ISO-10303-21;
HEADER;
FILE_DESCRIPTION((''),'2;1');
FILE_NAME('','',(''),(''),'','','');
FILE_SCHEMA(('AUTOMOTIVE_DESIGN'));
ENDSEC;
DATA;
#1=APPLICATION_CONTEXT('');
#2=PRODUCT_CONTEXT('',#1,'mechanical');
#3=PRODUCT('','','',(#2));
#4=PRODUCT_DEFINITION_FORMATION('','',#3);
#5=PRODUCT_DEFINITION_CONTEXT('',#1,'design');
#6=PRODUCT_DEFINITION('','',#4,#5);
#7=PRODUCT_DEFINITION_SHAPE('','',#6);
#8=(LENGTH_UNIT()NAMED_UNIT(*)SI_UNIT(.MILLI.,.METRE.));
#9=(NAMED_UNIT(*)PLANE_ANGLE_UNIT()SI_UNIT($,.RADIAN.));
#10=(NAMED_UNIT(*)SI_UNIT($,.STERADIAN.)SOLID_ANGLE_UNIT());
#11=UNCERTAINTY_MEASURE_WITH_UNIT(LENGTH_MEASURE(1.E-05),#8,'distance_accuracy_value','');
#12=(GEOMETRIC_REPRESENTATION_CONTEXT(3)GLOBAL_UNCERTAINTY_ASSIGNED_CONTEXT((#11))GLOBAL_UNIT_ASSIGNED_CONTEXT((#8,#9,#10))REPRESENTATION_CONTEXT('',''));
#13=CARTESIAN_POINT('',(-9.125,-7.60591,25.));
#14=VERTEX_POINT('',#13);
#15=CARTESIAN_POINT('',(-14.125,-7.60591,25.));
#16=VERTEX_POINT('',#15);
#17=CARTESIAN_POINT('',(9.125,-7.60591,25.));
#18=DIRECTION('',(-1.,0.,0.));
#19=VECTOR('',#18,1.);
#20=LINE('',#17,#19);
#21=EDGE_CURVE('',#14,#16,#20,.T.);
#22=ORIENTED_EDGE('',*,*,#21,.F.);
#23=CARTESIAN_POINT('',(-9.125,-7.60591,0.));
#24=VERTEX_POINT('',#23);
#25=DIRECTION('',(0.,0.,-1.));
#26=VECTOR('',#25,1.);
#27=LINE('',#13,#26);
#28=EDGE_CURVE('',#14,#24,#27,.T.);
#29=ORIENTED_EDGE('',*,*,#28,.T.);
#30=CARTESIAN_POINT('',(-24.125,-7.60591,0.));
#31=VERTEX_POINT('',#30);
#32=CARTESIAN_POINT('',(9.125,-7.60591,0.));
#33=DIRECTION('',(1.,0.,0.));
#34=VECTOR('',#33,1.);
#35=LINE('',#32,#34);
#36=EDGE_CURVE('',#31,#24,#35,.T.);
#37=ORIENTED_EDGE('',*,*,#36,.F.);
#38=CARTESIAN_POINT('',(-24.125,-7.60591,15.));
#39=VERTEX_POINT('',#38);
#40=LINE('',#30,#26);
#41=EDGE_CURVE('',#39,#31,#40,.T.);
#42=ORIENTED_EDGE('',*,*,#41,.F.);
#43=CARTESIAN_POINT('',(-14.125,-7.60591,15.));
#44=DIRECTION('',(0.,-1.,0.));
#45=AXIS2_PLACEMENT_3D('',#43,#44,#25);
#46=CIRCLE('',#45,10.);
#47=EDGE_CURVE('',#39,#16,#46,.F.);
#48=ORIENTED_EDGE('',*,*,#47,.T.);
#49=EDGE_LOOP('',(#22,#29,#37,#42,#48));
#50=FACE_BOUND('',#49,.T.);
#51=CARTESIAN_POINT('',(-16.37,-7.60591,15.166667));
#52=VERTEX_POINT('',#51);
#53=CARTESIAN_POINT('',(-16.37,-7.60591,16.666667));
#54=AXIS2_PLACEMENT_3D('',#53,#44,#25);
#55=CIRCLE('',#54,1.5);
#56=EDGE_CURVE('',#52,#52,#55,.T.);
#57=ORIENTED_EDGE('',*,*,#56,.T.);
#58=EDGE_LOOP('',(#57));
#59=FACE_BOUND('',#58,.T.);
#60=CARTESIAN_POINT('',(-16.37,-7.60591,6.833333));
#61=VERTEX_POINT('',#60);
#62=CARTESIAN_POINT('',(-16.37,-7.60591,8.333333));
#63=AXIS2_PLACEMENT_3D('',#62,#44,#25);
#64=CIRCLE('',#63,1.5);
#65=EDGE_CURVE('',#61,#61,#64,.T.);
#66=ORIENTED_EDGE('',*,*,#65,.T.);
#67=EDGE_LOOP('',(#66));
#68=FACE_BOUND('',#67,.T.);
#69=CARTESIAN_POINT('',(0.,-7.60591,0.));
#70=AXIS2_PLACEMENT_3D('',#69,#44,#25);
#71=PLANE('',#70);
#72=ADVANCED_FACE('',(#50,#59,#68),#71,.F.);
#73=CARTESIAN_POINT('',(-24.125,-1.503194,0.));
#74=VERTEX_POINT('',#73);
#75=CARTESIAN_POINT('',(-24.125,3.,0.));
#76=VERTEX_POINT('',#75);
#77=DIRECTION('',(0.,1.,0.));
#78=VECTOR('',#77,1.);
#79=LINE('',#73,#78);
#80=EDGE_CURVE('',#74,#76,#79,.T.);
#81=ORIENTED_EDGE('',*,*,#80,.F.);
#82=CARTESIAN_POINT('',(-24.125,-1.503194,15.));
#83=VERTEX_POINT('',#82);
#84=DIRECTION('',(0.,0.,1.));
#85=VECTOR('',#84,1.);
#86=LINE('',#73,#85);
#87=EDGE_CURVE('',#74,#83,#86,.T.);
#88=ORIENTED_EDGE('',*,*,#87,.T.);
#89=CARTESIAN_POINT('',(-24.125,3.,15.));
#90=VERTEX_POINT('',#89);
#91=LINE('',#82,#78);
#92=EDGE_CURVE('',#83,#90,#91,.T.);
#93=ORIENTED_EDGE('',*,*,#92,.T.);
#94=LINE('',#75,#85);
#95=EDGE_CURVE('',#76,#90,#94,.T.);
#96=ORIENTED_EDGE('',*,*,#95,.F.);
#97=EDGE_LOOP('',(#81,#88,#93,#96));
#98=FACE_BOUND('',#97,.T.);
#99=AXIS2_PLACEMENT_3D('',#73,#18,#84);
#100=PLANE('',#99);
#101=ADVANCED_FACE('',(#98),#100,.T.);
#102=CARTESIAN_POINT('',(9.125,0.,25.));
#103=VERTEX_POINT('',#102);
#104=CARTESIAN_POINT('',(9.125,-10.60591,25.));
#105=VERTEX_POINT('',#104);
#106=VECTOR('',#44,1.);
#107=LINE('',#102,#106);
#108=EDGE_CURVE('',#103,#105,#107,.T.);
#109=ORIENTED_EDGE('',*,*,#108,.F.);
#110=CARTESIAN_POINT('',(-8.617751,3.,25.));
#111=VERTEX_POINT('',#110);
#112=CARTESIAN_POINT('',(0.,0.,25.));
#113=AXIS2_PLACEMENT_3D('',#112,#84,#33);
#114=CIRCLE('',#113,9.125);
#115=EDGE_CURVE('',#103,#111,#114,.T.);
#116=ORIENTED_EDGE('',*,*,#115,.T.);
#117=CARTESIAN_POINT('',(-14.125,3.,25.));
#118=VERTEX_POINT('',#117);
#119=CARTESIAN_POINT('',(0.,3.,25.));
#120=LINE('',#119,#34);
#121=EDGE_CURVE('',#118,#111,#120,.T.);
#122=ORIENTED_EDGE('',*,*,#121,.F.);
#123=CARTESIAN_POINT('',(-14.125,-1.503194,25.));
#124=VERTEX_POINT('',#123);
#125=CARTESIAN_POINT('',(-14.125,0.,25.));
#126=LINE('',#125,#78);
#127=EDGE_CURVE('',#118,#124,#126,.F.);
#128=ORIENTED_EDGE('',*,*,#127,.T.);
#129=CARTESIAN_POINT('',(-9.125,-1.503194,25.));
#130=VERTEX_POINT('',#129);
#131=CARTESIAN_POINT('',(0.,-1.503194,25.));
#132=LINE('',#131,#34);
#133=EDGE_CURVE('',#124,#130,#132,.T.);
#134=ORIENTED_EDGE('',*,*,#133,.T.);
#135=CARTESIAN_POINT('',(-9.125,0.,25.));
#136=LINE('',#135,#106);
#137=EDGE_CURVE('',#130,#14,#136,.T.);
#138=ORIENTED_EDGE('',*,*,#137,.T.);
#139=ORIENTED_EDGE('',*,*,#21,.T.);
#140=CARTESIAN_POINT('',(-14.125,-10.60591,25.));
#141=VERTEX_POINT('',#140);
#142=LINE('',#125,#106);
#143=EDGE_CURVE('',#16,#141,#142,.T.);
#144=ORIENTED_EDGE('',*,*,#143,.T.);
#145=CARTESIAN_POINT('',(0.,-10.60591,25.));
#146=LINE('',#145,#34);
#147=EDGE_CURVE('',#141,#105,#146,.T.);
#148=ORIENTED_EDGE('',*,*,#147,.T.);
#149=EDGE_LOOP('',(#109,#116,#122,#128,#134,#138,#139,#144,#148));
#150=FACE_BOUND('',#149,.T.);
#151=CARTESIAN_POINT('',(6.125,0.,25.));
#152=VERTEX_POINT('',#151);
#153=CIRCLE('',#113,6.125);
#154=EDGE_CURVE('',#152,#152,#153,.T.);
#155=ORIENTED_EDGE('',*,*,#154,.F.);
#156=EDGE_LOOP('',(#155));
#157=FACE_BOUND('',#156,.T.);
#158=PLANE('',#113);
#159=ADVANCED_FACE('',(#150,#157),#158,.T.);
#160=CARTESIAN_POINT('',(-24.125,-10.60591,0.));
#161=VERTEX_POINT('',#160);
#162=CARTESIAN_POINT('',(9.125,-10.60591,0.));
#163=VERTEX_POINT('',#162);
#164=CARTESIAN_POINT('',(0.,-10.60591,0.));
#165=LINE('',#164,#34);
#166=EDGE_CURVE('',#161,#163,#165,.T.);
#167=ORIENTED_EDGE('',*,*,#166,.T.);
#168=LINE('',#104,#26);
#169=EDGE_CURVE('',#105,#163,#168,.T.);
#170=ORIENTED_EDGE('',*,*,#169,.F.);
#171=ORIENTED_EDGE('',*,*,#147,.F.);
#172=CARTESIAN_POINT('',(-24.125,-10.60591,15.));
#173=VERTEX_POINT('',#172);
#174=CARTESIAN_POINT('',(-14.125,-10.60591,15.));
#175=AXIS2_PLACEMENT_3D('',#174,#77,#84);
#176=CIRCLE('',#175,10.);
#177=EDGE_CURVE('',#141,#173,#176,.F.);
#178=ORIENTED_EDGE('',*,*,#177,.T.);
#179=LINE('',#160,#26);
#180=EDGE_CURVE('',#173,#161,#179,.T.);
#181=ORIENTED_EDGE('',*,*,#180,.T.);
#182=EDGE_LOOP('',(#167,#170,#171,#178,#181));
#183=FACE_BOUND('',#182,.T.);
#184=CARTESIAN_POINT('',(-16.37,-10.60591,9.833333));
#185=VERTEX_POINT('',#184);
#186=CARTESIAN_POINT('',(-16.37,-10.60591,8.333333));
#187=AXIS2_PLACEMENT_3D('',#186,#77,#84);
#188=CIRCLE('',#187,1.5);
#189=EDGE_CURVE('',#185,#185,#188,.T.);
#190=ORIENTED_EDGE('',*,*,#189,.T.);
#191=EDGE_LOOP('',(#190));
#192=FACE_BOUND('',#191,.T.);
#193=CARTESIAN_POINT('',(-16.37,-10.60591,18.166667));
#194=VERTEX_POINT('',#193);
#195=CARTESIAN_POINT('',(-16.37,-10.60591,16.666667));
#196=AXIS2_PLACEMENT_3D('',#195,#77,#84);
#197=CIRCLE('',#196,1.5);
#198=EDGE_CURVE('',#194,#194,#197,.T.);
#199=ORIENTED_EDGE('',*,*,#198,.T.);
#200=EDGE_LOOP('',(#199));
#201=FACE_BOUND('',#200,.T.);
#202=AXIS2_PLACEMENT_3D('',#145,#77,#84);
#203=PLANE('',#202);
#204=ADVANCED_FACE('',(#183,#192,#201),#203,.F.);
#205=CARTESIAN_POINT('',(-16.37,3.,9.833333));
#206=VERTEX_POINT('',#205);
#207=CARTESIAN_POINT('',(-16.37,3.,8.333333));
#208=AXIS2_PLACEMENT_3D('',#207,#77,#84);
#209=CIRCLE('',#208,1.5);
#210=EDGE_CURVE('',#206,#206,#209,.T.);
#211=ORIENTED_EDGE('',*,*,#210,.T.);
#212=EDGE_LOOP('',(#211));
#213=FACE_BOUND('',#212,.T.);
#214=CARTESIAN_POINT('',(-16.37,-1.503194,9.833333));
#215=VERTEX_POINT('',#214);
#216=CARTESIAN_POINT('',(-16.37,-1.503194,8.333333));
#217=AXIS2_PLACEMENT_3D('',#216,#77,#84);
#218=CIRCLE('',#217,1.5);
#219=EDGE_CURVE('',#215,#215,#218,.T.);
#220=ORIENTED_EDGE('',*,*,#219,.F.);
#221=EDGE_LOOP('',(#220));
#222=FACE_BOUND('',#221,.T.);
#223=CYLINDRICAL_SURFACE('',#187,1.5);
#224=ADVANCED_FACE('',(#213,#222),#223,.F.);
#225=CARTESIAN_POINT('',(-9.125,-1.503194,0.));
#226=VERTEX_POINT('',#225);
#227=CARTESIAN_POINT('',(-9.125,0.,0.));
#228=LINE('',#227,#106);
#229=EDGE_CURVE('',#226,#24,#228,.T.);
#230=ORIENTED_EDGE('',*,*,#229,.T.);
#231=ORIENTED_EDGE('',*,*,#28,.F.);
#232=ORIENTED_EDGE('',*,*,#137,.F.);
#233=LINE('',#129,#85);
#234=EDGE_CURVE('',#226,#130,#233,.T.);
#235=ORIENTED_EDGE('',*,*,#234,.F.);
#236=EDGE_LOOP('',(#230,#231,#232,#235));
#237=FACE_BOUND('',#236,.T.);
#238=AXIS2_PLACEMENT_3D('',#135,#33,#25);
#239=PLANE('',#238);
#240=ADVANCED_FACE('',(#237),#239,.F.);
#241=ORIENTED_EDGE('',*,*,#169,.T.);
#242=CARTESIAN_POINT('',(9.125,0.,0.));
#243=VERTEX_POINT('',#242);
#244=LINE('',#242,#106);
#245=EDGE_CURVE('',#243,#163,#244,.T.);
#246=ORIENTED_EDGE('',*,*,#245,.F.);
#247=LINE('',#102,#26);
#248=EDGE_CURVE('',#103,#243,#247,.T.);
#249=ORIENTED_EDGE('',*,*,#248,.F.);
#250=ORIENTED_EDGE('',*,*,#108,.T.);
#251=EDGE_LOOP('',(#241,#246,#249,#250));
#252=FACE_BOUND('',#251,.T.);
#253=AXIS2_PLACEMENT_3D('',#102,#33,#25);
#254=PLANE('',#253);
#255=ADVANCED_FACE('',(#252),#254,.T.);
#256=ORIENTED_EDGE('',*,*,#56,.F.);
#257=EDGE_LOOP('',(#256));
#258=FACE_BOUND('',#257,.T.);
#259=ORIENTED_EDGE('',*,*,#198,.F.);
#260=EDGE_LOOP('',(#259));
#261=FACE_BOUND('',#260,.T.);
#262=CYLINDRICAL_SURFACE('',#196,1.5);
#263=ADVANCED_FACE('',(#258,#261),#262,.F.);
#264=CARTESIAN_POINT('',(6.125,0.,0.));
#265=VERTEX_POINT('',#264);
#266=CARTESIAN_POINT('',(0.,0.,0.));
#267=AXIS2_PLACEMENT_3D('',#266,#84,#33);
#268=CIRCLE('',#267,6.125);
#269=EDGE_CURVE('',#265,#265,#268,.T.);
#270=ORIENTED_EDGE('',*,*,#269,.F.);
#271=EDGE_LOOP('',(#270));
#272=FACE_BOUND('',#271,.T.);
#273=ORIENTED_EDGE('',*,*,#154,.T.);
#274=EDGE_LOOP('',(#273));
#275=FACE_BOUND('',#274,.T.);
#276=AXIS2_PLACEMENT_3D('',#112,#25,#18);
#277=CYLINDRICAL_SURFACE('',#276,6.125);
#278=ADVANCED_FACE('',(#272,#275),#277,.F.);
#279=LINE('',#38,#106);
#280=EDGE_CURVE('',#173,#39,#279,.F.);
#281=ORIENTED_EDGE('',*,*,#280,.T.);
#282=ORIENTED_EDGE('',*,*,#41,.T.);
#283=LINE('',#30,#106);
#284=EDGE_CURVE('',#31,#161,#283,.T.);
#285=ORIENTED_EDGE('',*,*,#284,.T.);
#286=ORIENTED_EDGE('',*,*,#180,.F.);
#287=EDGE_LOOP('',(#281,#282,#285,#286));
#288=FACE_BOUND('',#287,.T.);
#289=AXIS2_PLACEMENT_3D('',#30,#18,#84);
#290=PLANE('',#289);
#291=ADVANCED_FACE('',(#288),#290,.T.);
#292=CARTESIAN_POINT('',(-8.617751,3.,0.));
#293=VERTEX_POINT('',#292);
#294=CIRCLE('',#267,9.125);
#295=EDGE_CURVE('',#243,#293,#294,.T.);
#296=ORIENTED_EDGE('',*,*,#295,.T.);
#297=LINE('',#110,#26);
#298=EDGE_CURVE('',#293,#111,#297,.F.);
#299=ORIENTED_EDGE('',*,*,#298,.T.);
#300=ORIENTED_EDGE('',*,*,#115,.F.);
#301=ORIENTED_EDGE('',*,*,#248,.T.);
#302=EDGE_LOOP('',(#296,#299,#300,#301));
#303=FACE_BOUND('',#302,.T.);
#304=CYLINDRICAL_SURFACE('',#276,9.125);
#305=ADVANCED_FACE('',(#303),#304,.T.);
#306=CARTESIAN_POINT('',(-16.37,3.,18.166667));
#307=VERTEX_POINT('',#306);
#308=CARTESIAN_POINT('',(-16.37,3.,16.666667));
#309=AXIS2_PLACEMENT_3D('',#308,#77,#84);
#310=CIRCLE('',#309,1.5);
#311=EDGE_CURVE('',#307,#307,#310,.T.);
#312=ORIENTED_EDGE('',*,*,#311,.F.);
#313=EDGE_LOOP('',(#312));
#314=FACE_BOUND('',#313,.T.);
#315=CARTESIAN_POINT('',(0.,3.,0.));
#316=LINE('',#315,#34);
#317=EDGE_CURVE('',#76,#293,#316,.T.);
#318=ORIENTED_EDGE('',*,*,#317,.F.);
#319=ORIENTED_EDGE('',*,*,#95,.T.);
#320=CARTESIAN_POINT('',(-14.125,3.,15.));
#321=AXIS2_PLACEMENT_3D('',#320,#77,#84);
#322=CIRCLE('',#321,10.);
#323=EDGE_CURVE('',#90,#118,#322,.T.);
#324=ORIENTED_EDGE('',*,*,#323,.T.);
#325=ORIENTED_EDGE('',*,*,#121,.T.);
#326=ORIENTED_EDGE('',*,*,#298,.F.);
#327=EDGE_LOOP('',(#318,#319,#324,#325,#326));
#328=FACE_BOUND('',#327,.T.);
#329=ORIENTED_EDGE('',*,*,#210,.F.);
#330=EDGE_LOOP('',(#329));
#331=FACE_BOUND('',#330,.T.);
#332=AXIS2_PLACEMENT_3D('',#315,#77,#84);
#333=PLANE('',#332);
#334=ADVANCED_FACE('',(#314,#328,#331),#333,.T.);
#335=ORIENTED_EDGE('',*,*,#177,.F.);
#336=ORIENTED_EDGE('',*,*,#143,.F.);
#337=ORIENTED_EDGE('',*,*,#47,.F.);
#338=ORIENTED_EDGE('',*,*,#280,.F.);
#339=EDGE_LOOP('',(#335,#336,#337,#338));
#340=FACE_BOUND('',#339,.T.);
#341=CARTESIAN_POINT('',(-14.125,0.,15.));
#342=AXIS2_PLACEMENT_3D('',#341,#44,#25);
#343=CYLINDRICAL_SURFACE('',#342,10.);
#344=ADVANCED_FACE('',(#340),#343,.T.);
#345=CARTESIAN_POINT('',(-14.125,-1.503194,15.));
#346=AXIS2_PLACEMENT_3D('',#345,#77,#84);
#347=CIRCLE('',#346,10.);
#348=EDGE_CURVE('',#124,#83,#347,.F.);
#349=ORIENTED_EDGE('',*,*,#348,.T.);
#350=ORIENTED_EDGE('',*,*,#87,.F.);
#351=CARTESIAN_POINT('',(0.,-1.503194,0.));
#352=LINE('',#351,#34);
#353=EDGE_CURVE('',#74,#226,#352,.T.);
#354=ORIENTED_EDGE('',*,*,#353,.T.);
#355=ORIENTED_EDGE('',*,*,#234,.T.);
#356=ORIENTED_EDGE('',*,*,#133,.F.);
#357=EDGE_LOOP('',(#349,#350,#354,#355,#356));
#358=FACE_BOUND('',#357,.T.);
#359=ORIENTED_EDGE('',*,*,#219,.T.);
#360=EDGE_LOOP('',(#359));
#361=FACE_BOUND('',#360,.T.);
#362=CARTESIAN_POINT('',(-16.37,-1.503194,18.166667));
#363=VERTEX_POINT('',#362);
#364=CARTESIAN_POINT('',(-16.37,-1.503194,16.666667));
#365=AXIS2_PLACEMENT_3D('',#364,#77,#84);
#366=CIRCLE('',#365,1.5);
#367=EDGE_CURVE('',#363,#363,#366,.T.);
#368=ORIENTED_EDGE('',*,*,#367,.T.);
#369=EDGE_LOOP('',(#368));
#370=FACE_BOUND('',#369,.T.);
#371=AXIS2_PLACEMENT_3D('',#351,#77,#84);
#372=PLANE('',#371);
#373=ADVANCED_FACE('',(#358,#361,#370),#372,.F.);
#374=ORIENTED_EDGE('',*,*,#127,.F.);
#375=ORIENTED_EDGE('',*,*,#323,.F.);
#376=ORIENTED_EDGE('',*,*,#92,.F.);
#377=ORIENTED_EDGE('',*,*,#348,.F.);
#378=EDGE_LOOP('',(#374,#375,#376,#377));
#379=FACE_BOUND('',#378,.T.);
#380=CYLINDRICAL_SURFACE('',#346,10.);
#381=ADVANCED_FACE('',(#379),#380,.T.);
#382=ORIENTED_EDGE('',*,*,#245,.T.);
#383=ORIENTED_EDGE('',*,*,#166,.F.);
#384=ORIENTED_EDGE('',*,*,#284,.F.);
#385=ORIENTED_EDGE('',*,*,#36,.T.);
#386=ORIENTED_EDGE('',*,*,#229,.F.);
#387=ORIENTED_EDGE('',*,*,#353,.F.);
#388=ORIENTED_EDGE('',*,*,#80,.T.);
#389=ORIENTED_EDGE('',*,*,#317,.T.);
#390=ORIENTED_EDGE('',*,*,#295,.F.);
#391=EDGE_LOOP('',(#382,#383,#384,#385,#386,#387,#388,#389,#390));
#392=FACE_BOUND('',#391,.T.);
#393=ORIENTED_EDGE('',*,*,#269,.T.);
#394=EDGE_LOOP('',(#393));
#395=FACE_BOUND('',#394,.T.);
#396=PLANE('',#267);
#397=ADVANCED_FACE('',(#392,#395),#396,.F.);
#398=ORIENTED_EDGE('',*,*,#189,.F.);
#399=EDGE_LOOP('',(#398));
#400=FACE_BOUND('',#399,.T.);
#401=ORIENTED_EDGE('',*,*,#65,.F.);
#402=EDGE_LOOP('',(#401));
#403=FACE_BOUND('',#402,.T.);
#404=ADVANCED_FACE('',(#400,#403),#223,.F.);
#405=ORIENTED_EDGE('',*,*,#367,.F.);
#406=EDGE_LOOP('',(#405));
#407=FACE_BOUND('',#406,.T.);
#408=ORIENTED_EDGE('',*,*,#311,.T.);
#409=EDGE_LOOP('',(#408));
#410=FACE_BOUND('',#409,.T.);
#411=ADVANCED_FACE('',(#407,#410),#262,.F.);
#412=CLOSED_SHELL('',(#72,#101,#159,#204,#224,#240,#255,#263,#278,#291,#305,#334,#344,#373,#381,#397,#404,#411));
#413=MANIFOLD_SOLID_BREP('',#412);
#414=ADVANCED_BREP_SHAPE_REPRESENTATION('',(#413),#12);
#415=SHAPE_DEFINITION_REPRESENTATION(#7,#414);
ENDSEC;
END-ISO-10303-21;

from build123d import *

# Parameters (mm, degrees)
ESQUISSE1_R                  = 9.125
ESQUISSE1_R_2                = 6.125
BOSS_EXTRU_1_DEPTH           = 25
ESQUISSE13_W                 = 33.25
ESQUISSE13_H                 = 25
BOSS_EXTRU_10_DEPTH          = 3
BOSS_EXTRU_11_DEPTH          = 3
BOSS_EXTRU_11_DEPTH_BACK     = 1.503194454
ESQUISSE14_W                 = 16.5
ESQUISSE14_H                 = 25
ENL_V_MAT_EXTRU_1_DEPTH      = 38.311344137
ENL_V_MAT_EXTRU_1_DEPTH_BACK = 38.311344137
ESQUISSE15_R                 = 1.5
CONG_1_R                     = 10


with BuildPart() as part:
    # Esquisse1 → Boss.-Extru.1 (new body)
    # profile 1 of 2: a face of its own
    with BuildSketch(Plane.XY):
        Circle(ESQUISSE1_R)
        Circle(ESQUISSE1_R_2, mode=Mode.SUBTRACT)
    # profile 2 of 2: a face of its own
    with BuildSketch(Plane.XY):
        with BuildLine():
            ThreePointArc((9.125, 0), (0, -9.125), (-9.125, 0))
            Line((-9.125, 0), (-9.125, -10.60590961))
            Line((-9.125, -10.60590961), (9.125, -10.60590961))
            Line((9.125, -10.60590961), (9.125, 0))
        make_face()
    extrude(amount=BOSS_EXTRU_1_DEPTH)

    # Esquisse13 → Boss.-Extru.10 (add)
    with BuildSketch(Plane.XZ.offset(10.60590961)):
        with Locations((-7.5, 12.5)):
            Rectangle(ESQUISSE13_W, ESQUISSE13_H)
    extrude(amount=-BOSS_EXTRU_10_DEPTH)

    # Esquisse14 → Boss.-Extru.11 (add, two sides: drawn at the far end of the back side and taken through both)
    with BuildSketch(Plane(origin=(0, 0, 0), x_dir=(1, 0, 0), z_dir=(0, 1, 0)).offset(-BOSS_EXTRU_11_DEPTH_BACK)):
        with Locations((-15.875, -12.5)):
            Rectangle(ESQUISSE14_W, ESQUISSE14_H)
    extrude(amount=BOSS_EXTRU_11_DEPTH + BOSS_EXTRU_11_DEPTH_BACK)

    # Esquisse15 → Enlèv. mat.-Extru.1 (cut, two sides: drawn at the far end of the back side and taken through both)
    with BuildSketch(Plane(origin=(0, 3, 0), x_dir=(1, 0, 0), z_dir=(0, 1, 0)).offset(-ENL_V_MAT_EXTRU_1_DEPTH_BACK)):
        with Locations(Location((-16.37, -8.333333333, 0), (0, 0, 270))):
            Circle(ESQUISSE15_R)
        with Locations(Location((-16.37, -16.666666667, 0), (0, 0, 270))):
            Circle(ESQUISSE15_R)
    extrude(amount=ENL_V_MAT_EXTRU_1_DEPTH + ENL_V_MAT_EXTRU_1_DEPTH_BACK, mode=Mode.SUBTRACT)

    # Congé1
    cong_1_edges = [part.edges().sort_by_distance(p)[0] for p in [
        (-24.125, -9.10590961, 25),
        (-24.125, 0.748402773, 25),
    ]]
    fillet(cong_1_edges, radius=CONG_1_R)


solid = part.part
